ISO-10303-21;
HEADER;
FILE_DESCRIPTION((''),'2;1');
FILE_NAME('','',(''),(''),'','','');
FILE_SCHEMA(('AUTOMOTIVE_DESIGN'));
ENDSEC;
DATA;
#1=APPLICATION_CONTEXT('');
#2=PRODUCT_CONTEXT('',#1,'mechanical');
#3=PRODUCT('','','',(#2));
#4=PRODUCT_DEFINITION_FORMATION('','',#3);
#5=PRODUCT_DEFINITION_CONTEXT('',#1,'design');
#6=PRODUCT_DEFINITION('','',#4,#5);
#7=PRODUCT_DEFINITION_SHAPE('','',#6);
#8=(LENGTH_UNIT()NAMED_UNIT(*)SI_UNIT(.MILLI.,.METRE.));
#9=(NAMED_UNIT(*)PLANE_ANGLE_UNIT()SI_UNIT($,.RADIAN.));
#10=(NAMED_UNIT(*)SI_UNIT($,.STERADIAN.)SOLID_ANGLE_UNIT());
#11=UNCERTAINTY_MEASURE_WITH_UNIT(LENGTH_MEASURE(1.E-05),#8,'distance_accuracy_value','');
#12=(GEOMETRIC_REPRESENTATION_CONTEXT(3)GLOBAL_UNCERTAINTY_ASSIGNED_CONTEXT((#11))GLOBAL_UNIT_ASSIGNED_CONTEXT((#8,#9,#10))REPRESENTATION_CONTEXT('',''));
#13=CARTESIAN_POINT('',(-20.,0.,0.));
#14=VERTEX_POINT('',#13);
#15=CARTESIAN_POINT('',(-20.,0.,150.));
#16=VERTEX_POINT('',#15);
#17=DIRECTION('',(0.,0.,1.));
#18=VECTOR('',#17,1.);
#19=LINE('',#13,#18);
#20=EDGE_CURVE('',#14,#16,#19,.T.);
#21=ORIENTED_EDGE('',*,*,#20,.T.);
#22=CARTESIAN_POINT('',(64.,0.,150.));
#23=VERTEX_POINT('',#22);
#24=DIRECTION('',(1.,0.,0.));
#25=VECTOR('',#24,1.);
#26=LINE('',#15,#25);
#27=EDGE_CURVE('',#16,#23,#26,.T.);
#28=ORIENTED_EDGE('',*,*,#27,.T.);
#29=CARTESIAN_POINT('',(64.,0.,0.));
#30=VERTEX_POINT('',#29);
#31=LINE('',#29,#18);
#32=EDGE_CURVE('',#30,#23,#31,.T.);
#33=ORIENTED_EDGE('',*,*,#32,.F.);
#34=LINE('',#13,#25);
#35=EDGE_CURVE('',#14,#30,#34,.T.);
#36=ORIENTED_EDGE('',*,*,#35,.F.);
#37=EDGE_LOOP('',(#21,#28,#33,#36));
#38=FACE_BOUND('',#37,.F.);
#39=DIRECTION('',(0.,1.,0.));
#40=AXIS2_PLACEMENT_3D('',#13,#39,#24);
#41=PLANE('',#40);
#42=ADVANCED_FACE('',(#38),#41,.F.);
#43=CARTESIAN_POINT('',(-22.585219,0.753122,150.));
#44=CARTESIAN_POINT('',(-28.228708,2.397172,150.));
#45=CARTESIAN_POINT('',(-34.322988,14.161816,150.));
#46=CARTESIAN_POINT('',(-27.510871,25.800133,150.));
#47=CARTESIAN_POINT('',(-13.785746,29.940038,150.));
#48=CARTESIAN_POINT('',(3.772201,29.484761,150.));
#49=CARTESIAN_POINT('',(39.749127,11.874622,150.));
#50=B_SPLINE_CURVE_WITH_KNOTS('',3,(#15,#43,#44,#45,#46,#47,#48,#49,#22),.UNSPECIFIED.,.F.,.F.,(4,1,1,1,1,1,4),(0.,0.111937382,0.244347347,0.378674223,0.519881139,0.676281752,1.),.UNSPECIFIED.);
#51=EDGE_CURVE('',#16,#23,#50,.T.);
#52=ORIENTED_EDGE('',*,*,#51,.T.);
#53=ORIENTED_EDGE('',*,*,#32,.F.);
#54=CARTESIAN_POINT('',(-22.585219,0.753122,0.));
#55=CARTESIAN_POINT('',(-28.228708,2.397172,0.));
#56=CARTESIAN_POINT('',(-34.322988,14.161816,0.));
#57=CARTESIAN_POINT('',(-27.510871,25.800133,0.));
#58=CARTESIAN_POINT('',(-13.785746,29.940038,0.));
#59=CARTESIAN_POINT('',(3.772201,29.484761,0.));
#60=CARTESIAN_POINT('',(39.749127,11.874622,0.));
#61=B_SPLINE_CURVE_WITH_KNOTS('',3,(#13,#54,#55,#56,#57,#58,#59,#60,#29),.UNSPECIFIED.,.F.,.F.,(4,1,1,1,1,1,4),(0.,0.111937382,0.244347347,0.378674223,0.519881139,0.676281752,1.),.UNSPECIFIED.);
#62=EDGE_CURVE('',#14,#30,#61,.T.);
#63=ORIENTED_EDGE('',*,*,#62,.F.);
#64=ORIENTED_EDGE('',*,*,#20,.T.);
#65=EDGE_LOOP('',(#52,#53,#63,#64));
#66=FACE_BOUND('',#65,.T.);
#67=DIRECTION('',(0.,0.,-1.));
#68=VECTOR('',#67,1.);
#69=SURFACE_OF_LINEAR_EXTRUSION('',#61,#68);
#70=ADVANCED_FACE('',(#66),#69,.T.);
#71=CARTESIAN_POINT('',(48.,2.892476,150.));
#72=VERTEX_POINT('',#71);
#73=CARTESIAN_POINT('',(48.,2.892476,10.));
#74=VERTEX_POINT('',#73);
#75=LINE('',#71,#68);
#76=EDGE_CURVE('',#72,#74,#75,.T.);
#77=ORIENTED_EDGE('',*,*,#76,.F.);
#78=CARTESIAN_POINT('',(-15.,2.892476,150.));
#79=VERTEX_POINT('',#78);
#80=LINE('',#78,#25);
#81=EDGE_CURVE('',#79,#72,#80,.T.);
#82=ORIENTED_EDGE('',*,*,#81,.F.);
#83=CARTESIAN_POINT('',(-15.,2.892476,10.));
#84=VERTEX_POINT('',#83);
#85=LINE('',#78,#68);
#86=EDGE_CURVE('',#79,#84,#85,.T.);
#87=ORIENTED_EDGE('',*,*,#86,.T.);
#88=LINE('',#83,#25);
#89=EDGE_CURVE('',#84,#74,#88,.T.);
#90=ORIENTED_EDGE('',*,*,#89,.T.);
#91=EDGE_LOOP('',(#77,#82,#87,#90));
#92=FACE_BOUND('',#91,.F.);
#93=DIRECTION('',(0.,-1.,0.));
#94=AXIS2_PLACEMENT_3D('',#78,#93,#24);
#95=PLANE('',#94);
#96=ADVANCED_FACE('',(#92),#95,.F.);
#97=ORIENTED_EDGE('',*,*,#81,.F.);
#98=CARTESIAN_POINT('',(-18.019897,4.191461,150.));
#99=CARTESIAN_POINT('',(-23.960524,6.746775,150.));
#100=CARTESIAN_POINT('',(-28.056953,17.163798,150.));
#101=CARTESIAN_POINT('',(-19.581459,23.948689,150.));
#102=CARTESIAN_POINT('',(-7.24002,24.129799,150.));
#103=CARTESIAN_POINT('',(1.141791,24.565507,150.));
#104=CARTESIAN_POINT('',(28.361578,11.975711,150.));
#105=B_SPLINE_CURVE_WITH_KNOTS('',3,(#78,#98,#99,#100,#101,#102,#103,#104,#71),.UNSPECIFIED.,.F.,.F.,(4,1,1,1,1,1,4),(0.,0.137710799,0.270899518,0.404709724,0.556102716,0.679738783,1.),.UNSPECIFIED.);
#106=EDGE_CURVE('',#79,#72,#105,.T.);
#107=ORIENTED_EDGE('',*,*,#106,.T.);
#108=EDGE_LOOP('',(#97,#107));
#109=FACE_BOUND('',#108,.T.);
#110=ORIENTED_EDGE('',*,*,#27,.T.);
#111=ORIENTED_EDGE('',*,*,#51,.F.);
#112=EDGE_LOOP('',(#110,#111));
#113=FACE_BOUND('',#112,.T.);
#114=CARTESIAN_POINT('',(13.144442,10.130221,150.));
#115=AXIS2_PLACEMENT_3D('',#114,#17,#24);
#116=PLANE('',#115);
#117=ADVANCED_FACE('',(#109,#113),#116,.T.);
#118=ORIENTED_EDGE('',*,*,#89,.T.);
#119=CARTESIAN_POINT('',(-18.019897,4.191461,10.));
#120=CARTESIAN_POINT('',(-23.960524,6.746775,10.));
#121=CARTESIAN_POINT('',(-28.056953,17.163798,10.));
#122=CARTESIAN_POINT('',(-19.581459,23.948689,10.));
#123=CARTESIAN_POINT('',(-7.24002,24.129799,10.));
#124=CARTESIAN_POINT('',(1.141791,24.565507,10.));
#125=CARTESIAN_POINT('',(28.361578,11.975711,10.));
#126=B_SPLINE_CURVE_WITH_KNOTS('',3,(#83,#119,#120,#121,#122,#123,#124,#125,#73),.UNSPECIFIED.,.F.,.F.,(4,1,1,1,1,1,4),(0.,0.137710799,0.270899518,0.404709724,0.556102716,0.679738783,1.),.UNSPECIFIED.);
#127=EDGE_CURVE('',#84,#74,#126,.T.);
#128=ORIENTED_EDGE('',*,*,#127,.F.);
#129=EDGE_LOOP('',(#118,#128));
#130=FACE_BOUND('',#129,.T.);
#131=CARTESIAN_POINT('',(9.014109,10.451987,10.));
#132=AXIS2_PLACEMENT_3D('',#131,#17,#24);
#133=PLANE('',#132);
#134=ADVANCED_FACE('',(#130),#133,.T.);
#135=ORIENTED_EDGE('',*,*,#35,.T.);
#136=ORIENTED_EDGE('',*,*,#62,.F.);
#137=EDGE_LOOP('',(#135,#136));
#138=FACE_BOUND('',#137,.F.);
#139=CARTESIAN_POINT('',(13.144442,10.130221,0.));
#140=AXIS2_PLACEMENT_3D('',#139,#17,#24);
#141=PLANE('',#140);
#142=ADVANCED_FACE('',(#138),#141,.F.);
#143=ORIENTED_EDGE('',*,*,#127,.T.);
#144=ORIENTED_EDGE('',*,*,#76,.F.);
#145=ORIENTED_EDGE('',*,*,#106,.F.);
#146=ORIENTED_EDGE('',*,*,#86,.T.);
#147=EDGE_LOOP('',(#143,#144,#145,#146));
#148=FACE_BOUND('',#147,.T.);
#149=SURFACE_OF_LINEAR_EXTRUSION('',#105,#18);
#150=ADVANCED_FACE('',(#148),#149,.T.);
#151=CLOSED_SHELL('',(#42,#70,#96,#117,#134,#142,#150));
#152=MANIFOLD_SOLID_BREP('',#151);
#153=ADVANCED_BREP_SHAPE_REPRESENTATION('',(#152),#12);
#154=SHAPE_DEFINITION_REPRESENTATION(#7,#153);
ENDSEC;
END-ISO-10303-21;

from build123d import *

# Parameters (mm, degrees)
F1_DEPTH = 150
F3_DEPTH = 140


with BuildPart() as f1:
    # F0 (on Top) → F1 (new body)
    with BuildSketch(Plane.XY):
        with BuildLine():
            Line((-20, 0), (0, 0))
            Line((0, 0), (50, 0))
            Line((50, 0), (64, 0))
            add(Edge.make_bspline(
                [(-20, 0), (-22.5852191064, 0.7531217975), (-28.2287084276, 2.397171632), (-34.3229876533, 14.1618163283), (-27.5108706206, 25.8001333399), (-13.7857456087, 29.9400383937), (3.7722013465, 29.4847605317), (39.7491269451, 11.8746221095), (64, 0)],
                knots=[0, 0, 0, 0, 0.1119373815, 0.2443473474, 0.3786742229, 0.5198811387, 0.6762817524, 1, 1, 1, 1], degree=3))
        make_face()
    extrude(amount=F1_DEPTH)

    # F2 (on face) → F3 (cut)
    with BuildSketch(Plane.XY.offset(150)):
        with BuildLine():
            Line((-15, 2.8924762737), (0, 2.8924762737))
            Line((0, 2.8924762737), (48, 2.8924762737))
            add(Edge.make_bspline(
                [(-15, 2.8924762737), (-18.0198967646, 4.1914608635), (-23.9605244104, 6.7467746265), (-28.0569525505, 17.1637982244), (-19.5814585604, 23.9486888065), (-7.240019759, 24.1297992729), (1.1417912551, 24.5655074402), (28.3615781842, 11.9757114096), (48, 2.8924762737)],
                knots=[0, 0, 0, 0, 0.1377107987, 0.270899518, 0.4047097245, 0.5561027165, 0.6797387827, 1, 1, 1, 1], degree=3))
        make_face()
    extrude(amount=-F3_DEPTH, mode=Mode.SUBTRACT)


solid = f1.part
